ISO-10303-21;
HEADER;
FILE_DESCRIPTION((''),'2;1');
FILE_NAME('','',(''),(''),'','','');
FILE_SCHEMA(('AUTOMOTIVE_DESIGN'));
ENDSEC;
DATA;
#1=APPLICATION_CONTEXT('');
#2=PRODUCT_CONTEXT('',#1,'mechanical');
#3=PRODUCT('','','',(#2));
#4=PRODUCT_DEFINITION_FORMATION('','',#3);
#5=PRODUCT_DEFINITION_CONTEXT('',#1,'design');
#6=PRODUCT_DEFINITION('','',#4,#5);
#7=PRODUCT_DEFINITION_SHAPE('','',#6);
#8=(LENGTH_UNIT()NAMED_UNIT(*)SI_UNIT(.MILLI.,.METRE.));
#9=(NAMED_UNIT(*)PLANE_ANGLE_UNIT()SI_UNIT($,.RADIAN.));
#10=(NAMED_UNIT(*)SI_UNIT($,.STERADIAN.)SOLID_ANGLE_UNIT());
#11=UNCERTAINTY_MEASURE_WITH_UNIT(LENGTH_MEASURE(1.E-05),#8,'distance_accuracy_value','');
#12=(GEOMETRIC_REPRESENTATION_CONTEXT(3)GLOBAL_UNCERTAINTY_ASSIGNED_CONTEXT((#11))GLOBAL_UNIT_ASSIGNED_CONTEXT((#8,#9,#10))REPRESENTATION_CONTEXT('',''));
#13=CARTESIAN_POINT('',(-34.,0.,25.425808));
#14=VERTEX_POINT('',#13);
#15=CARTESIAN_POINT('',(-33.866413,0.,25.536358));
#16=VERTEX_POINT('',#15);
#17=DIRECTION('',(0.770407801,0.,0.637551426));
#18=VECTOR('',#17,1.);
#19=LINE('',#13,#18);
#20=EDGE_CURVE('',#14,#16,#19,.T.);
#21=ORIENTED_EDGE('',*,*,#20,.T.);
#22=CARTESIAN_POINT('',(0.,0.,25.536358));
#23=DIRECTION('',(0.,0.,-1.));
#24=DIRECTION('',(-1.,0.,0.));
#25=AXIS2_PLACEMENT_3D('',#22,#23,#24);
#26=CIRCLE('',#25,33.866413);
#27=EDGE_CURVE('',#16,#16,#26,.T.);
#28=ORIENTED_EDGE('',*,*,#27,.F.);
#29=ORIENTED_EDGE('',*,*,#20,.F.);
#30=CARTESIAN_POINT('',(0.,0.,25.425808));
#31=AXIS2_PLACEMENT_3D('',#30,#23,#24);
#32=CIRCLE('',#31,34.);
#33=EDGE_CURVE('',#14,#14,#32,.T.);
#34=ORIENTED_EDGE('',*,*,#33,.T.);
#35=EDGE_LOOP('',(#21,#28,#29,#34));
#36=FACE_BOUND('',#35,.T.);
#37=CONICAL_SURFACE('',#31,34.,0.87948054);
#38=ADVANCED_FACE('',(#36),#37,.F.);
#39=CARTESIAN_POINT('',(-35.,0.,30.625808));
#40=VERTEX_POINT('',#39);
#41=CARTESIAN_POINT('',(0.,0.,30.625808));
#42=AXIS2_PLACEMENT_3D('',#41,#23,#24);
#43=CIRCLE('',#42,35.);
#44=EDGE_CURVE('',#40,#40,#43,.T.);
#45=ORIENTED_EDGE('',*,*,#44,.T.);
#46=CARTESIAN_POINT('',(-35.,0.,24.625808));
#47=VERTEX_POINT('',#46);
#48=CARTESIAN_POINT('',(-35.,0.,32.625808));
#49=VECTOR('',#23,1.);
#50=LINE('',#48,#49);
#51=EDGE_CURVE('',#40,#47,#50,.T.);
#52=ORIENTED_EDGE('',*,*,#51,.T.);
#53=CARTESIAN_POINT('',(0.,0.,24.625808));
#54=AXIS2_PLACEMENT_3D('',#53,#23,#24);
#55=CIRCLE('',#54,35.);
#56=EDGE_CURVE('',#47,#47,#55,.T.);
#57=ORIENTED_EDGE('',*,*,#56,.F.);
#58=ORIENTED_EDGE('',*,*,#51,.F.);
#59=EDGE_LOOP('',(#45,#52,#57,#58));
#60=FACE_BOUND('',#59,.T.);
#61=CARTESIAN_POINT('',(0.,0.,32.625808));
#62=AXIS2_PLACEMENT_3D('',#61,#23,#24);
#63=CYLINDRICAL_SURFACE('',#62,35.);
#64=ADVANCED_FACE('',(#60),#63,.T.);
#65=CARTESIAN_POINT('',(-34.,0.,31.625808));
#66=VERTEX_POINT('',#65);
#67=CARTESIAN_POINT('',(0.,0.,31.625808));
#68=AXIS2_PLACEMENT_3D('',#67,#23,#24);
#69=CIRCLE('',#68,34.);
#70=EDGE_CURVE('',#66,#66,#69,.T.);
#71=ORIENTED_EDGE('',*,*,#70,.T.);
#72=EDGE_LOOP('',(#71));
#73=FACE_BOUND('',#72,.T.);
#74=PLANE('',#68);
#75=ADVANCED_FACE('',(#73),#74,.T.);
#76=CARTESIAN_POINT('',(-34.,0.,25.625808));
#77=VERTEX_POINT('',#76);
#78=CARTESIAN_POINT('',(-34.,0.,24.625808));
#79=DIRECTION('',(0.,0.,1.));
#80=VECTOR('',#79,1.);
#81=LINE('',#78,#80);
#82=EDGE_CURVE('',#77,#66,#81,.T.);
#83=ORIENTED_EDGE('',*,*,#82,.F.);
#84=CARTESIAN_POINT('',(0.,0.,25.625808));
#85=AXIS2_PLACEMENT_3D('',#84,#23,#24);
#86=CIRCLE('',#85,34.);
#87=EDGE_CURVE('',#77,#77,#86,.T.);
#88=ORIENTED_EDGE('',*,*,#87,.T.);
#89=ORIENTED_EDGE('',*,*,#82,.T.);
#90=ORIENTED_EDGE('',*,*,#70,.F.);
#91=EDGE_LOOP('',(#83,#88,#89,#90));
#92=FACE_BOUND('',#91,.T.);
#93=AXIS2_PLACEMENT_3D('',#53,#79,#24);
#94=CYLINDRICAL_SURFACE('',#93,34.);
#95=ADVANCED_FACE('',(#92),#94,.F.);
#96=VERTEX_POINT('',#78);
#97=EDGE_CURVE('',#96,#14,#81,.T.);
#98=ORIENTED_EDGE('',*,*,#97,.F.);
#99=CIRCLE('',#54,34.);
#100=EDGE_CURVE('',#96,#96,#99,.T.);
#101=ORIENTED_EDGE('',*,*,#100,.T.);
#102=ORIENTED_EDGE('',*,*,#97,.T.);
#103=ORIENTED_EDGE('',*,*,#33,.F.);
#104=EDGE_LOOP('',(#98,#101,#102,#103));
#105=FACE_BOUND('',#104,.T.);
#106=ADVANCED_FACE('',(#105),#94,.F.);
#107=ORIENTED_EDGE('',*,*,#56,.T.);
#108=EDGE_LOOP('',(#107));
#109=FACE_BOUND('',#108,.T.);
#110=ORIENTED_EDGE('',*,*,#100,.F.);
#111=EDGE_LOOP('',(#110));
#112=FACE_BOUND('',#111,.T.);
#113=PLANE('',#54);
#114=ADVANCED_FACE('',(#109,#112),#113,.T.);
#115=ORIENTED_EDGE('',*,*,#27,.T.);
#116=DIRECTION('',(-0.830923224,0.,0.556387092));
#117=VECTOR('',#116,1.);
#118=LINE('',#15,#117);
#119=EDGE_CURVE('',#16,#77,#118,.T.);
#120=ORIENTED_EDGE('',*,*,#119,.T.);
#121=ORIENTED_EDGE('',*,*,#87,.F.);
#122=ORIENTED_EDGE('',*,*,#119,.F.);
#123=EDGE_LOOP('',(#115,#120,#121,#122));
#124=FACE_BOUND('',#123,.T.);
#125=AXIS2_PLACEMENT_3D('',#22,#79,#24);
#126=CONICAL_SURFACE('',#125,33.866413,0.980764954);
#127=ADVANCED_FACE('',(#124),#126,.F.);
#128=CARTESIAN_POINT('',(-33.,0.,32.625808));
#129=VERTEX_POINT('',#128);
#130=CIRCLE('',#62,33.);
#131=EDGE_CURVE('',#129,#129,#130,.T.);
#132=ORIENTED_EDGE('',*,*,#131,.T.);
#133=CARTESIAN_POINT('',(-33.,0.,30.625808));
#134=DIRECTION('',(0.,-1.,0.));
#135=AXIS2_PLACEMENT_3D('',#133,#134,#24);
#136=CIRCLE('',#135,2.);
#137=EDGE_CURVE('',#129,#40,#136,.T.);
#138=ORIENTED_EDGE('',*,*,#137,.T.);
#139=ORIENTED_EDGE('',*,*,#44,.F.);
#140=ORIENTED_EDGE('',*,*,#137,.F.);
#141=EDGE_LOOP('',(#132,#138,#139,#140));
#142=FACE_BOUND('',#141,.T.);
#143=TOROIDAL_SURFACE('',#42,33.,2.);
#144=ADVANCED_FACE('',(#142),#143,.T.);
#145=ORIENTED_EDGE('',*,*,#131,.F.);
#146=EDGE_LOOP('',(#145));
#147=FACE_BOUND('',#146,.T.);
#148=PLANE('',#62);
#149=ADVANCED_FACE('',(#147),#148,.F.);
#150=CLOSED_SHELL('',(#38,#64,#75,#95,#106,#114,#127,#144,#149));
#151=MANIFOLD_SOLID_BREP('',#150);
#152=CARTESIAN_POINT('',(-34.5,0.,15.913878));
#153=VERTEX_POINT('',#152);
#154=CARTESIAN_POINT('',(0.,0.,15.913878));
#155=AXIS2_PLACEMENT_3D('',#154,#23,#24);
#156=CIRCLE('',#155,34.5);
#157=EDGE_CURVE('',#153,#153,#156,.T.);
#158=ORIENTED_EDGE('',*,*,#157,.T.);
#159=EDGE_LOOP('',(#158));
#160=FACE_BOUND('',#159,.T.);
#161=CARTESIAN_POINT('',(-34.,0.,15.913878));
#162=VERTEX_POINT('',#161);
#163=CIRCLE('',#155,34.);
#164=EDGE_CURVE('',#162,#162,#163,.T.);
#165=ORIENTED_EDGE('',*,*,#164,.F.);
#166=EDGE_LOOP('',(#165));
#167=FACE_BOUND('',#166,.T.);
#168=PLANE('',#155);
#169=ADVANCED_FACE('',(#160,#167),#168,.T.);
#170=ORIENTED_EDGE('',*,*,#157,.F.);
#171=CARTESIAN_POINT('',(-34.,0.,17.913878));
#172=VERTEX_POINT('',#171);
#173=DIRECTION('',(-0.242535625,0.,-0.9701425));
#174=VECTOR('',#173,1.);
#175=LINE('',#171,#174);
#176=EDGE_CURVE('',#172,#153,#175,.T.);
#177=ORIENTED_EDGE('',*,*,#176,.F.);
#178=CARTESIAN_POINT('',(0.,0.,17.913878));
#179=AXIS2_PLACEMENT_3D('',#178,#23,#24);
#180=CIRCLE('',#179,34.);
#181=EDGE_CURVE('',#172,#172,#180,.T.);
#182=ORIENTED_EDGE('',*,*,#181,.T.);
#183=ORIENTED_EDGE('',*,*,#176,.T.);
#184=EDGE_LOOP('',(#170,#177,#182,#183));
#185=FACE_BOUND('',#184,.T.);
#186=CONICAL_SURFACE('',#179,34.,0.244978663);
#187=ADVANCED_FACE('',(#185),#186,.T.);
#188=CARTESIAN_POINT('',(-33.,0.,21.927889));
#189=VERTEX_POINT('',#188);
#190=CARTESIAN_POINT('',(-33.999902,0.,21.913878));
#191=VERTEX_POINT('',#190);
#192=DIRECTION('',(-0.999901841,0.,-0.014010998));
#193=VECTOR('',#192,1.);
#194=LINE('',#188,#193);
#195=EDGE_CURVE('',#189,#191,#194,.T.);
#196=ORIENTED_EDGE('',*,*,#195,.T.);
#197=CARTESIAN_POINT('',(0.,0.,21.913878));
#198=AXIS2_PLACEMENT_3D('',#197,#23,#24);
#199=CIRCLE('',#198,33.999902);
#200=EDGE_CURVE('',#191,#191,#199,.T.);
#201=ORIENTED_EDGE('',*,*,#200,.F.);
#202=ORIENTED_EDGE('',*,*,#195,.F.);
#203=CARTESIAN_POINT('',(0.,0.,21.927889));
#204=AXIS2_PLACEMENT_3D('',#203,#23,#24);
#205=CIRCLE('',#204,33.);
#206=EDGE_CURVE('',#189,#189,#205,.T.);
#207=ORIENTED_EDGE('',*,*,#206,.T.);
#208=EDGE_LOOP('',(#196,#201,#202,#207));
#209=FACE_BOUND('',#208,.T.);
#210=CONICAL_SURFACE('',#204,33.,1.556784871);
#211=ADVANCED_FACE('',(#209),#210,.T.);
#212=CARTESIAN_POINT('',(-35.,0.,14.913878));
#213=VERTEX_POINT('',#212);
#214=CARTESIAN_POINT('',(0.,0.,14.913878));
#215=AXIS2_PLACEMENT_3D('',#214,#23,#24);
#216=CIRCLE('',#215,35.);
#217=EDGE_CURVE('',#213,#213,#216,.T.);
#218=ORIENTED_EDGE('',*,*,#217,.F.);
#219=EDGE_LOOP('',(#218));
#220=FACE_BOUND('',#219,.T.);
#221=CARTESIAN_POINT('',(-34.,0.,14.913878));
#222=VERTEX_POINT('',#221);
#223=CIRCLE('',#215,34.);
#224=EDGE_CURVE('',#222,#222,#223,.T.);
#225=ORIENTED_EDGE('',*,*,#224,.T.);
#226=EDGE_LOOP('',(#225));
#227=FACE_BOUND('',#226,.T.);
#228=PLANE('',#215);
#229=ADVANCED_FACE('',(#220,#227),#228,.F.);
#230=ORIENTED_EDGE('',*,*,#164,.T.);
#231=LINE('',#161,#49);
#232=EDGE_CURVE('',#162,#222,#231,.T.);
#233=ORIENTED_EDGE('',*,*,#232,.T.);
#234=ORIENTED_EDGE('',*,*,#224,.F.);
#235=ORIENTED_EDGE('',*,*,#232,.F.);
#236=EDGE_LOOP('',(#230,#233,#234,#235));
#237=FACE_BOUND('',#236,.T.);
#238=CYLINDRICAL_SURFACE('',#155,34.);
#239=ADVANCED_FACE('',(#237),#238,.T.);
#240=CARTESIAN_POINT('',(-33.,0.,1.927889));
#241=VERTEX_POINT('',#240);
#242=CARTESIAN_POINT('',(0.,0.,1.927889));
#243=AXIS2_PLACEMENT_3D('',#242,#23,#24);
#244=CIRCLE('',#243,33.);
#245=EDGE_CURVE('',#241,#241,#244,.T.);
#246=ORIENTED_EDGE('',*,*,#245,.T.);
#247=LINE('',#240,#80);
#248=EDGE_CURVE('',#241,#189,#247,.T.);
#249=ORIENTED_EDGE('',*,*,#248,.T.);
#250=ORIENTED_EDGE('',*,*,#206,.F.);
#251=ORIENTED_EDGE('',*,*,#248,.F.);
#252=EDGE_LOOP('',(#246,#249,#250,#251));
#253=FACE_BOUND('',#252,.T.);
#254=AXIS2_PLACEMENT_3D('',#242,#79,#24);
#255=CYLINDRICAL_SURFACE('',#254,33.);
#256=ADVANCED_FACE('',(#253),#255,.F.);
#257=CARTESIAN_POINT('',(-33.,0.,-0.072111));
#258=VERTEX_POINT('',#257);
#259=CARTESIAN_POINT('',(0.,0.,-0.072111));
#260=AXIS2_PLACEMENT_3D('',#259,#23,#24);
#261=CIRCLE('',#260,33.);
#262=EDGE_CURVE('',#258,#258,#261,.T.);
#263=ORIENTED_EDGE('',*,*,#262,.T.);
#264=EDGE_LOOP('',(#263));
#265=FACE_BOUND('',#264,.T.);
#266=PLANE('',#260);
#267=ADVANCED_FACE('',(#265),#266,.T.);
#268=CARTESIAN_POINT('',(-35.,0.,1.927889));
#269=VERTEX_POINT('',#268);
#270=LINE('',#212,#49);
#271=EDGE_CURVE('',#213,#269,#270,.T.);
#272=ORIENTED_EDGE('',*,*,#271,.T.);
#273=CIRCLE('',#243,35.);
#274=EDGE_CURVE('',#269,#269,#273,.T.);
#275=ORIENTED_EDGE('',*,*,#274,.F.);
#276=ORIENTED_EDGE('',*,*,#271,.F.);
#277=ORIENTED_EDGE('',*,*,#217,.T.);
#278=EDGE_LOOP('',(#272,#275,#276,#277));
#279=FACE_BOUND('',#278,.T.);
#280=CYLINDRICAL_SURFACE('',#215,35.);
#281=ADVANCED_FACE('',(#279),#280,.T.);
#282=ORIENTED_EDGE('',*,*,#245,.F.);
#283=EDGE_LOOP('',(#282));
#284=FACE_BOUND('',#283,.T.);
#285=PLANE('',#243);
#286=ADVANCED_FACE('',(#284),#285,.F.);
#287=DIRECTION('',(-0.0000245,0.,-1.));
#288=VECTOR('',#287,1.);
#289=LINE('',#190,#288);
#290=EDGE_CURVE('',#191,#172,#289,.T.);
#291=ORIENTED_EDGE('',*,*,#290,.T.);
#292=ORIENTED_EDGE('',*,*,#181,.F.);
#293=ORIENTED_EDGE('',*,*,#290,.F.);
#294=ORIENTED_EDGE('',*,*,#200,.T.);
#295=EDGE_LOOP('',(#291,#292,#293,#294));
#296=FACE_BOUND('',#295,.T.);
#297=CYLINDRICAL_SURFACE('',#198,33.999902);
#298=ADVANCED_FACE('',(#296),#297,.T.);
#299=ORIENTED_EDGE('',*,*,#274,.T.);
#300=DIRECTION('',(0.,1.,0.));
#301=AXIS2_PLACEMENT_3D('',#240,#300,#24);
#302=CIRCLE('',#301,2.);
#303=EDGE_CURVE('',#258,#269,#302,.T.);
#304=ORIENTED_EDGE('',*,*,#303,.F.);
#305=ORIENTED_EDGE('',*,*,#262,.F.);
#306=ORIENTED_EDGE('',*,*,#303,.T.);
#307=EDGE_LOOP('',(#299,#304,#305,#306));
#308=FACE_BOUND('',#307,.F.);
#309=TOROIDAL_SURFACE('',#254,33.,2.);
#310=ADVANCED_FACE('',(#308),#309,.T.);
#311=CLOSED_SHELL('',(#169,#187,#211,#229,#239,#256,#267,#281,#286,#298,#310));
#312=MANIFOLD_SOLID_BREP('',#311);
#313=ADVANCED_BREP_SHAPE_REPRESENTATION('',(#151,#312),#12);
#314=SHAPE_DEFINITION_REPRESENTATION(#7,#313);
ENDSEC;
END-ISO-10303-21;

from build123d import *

# Parameters (mm, degrees)
F2_R = 2


with BuildPart() as f1:
    # F0 (on Front) → F1 (revolve)
    with BuildSketch(Plane.XZ):
        Polygon((-35, -0.072111), (0, -0.072111), (0, 1.927889), (-33, 1.927889), (-33, 21.927889), (-33.999902, 21.913878), (-34, 17.913878), (-34.5, 15.913878), (-34, 15.913878), (-34, 14.913878), (-35, 14.913878), align=None)
        Polygon((0, 32.625808), (-35, 32.625808), (-35, 24.625808), (-34, 24.625808), (-34, 25.425808), (-34, 25.625808), (-34, 31.625808), (0, 31.625808), align=None)
        Polygon((-34, 25.625808), (-34, 25.425808), (-33.866413, 25.536358), align=None)
    revolve(axis=Axis((0, 0, 0.927889), (0, 0, -1)))

    # F2
    f2_edges = [f1.edges().sort_by_distance(p)[0] for p in [
        (35, 0, 32.625808),
        (35, 0, -0.072111),
    ]]
    fillet(f2_edges, radius=F2_R)


solid = f1.part
